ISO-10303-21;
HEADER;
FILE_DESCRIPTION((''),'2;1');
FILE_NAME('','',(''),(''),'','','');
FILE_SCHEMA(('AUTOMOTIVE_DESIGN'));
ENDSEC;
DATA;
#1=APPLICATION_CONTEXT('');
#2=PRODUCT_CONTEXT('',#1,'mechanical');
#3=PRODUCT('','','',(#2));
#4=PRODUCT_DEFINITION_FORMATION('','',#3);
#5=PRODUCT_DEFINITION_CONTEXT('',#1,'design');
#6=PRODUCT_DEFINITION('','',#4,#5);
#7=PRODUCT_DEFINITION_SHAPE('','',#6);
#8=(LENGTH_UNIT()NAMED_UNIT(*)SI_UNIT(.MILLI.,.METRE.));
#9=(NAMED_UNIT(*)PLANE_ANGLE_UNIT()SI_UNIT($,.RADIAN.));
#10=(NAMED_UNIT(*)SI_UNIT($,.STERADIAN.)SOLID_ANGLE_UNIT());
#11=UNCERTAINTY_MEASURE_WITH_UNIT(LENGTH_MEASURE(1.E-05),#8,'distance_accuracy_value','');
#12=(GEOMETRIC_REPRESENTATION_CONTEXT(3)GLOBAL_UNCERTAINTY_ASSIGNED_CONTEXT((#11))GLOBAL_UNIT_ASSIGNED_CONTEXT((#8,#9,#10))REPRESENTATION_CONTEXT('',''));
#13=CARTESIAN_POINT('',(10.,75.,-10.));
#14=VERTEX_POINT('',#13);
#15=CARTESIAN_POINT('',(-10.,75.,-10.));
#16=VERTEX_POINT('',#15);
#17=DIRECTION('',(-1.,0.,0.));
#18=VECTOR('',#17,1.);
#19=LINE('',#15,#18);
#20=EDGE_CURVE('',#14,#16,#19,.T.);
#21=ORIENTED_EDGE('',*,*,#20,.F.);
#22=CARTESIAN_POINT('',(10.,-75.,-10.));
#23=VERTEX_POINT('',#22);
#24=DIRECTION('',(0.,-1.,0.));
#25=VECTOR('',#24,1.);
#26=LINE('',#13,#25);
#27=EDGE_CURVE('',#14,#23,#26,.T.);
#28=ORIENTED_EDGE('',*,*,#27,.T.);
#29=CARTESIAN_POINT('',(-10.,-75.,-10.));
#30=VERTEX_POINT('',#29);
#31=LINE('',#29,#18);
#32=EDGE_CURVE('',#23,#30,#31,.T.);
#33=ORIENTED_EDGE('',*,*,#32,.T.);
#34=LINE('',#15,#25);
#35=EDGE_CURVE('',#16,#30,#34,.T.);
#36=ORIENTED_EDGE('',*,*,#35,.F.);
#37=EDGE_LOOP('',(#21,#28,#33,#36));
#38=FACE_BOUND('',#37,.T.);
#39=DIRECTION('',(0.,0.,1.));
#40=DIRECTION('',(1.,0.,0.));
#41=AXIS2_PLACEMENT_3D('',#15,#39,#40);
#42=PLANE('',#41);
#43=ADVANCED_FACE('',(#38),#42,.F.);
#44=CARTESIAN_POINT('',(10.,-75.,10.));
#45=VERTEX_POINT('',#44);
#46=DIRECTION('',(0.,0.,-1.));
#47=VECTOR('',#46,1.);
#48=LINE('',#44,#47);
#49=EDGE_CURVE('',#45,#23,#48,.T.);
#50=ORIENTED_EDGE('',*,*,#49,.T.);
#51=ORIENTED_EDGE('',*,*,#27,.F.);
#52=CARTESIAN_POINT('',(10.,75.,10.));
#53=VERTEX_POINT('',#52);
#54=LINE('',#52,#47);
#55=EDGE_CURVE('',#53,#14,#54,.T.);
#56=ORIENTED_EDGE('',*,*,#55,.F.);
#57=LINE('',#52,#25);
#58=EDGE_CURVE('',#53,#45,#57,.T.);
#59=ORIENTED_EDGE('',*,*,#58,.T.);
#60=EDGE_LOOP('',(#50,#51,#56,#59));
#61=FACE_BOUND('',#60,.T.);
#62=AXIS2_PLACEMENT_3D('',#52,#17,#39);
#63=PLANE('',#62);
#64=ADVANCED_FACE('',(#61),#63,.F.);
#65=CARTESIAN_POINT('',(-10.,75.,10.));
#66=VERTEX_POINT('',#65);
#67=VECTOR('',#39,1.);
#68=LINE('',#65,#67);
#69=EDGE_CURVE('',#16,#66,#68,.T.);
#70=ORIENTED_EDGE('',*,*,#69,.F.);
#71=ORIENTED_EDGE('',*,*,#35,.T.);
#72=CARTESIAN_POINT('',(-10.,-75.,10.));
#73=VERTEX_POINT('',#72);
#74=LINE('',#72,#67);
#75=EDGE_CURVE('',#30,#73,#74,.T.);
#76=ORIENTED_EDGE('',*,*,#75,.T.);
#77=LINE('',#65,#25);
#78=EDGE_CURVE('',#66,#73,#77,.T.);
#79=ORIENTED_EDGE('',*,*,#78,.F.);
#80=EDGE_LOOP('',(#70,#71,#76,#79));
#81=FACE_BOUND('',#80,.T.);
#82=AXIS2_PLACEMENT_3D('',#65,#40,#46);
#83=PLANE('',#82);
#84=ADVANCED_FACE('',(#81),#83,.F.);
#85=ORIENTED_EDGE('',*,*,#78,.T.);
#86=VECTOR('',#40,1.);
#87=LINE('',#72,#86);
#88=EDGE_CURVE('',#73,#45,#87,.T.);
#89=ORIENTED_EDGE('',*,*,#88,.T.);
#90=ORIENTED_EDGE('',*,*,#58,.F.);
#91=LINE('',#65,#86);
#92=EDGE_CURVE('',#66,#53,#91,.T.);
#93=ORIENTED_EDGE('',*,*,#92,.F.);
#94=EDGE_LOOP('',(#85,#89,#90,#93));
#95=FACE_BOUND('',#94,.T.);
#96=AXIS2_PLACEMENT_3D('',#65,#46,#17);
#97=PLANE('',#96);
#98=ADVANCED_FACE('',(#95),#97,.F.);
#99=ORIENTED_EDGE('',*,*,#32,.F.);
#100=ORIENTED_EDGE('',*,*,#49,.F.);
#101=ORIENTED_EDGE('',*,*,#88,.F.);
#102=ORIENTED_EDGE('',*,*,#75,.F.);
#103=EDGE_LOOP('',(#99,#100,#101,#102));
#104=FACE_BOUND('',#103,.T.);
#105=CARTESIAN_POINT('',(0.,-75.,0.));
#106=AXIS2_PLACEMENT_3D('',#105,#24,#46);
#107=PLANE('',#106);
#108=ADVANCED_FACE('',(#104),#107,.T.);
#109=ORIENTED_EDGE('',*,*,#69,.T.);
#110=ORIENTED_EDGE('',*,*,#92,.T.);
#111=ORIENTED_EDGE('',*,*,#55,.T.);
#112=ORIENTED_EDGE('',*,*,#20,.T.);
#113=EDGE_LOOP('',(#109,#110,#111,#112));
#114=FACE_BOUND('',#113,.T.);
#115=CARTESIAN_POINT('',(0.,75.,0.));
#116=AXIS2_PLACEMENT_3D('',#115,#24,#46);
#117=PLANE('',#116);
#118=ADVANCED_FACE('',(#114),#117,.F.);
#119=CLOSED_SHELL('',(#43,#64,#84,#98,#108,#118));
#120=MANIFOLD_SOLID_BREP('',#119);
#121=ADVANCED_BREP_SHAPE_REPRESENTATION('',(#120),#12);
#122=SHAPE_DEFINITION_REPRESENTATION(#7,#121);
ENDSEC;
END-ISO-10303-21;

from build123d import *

# Parameters (mm, degrees)
SKETCH_1_W      = 20
SKETCH_1_H      = 20
EXTRUDE_1_DEPTH = 75


with BuildPart() as part:
    # Эскиз1 → Бобышка-Вытянуть1 (new, symmetric)
    with BuildSketch(Plane(origin=(0, 0, 0), x_dir=(1, 0, 0), z_dir=(0, 1, 0))):
        Rectangle(SKETCH_1_W, SKETCH_1_H)
    extrude(amount=EXTRUDE_1_DEPTH, both=True)


solid = part.part
